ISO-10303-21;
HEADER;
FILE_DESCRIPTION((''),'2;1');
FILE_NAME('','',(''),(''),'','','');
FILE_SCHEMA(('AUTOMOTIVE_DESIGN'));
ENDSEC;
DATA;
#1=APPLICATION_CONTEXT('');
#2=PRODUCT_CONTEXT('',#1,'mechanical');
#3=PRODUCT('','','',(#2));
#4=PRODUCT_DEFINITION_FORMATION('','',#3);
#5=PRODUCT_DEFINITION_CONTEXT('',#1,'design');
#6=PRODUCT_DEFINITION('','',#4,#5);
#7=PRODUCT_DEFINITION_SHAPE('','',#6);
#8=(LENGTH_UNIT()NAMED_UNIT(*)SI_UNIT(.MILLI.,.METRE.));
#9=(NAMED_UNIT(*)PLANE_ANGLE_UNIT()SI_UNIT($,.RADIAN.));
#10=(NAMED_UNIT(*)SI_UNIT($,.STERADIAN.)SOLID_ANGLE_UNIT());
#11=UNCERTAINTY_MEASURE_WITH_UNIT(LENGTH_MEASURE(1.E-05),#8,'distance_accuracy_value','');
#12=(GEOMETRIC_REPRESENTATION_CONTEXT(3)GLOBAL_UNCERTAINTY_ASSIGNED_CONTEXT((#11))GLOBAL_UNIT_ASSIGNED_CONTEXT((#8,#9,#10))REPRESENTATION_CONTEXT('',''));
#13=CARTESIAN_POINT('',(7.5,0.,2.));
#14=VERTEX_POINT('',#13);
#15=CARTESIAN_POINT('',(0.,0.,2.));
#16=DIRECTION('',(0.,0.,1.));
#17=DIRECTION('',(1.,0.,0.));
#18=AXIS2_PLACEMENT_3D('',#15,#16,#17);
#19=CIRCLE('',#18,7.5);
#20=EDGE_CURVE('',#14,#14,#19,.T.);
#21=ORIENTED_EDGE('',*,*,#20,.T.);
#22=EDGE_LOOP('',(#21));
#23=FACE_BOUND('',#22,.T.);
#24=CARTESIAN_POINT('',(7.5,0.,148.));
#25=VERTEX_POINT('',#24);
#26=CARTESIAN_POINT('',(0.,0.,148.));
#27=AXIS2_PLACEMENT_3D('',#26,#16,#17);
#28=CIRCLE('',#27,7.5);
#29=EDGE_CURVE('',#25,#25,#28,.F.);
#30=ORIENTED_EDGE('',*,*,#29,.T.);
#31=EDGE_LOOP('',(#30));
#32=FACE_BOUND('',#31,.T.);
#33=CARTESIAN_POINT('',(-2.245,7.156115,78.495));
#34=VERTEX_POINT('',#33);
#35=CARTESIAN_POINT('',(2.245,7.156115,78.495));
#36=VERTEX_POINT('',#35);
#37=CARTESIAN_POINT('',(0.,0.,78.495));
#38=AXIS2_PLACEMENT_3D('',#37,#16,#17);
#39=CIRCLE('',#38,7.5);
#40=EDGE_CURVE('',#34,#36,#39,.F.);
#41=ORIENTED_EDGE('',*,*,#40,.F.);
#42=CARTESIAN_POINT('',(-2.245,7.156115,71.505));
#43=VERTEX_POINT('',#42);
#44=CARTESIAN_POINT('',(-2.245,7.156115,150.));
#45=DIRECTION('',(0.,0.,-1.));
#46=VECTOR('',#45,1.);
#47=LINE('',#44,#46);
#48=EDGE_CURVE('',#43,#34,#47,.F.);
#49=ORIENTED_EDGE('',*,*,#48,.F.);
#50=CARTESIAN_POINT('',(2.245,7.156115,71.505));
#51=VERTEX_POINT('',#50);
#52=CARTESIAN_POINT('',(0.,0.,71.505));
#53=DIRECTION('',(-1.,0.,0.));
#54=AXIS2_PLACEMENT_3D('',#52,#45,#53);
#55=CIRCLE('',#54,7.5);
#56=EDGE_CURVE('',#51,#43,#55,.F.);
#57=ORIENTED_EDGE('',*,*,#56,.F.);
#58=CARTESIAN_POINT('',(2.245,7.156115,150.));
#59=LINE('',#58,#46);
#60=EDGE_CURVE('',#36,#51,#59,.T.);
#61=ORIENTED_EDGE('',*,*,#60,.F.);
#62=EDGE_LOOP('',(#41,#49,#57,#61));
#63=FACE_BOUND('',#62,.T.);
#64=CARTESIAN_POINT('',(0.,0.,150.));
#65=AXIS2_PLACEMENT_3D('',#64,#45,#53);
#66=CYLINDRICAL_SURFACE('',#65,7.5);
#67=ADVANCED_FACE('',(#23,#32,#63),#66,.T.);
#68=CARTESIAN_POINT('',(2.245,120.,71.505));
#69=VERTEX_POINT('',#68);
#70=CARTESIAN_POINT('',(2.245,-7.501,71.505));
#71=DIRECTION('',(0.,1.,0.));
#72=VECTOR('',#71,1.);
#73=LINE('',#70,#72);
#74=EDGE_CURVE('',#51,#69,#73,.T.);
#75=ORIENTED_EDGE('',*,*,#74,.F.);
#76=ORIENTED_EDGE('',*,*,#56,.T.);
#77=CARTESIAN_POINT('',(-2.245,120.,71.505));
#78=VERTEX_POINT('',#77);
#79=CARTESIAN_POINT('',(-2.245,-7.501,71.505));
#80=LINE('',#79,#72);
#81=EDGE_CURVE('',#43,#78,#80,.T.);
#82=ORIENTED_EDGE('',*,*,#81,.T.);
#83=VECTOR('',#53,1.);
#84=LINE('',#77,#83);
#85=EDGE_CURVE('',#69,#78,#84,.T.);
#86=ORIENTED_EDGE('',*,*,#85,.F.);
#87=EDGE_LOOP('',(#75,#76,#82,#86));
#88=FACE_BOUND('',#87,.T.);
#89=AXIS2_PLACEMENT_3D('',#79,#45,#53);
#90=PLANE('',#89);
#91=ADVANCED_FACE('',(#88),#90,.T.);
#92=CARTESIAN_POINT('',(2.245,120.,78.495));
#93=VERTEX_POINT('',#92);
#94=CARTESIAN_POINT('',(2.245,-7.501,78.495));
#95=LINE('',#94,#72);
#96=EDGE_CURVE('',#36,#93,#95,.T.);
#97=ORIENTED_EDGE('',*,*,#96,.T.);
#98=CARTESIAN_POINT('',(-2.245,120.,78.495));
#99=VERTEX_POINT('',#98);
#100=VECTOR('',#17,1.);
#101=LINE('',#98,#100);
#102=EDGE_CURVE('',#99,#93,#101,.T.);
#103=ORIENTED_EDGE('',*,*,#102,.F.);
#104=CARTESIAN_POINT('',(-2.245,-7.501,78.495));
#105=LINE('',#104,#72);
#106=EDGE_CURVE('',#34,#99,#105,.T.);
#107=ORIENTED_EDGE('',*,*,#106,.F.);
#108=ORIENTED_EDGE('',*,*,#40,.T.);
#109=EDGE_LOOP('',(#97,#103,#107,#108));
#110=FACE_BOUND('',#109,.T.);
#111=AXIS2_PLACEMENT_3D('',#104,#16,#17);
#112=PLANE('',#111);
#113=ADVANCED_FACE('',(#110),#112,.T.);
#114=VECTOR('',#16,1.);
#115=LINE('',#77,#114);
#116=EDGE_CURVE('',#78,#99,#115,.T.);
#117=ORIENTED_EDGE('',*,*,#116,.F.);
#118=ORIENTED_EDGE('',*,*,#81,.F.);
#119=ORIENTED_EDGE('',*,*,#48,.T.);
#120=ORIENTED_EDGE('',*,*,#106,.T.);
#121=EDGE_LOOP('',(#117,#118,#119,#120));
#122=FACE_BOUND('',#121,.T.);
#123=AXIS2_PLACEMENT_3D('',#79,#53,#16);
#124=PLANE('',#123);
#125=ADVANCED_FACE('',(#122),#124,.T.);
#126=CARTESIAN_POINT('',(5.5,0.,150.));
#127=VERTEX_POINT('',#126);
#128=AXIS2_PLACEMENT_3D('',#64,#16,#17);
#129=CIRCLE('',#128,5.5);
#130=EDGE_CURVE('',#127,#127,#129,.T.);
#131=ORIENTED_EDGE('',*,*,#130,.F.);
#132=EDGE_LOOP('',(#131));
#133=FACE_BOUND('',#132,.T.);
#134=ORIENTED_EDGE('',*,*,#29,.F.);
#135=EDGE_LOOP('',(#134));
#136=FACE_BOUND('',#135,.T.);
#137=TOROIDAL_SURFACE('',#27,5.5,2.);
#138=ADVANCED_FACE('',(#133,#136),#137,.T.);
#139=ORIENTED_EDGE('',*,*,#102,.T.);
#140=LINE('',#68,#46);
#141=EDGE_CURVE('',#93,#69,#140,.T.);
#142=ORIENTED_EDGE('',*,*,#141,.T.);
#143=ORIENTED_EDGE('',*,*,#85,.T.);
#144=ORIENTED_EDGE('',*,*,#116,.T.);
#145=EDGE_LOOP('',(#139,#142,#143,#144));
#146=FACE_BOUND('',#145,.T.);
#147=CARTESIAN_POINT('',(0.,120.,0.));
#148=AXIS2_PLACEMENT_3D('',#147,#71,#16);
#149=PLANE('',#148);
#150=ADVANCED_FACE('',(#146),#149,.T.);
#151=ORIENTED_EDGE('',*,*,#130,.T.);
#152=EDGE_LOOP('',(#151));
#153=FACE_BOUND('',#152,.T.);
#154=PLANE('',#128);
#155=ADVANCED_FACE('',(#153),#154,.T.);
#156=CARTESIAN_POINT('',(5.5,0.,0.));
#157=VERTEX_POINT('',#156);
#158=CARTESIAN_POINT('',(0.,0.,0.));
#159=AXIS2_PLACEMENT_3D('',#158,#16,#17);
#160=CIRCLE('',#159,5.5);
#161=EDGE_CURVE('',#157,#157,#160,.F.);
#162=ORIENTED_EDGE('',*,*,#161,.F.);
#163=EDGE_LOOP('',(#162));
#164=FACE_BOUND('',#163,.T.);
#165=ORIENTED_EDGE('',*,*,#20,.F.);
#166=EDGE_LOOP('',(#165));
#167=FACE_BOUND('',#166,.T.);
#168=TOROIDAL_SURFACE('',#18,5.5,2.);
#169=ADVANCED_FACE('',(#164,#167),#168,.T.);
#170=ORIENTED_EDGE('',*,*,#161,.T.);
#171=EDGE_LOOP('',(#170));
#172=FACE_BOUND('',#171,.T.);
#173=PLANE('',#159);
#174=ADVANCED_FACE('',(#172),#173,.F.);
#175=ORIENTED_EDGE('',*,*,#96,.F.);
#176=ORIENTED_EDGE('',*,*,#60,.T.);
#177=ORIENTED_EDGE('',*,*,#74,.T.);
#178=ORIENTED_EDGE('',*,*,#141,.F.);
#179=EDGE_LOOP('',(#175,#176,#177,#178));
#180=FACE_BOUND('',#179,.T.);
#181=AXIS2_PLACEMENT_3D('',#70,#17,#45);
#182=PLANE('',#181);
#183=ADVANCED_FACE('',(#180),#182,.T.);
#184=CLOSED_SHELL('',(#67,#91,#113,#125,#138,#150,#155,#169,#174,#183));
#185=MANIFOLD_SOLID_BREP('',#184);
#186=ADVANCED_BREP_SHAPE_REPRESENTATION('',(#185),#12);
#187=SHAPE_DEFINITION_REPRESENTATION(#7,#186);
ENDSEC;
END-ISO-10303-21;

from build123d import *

# Parameters (mm, degrees)
SKETCH1_R           = 7.5
BOSS_EXTRUDE1_DEPTH = 150
FILLET1_R           = 2
BOSS_EXTRUDE2_REACH = 129.5
SKETCH3_W           = 4.49
SKETCH3_H           = 6.99


with BuildPart() as part:
    # Sketch1 → Boss-Extrude1 (new body)
    with BuildSketch(Plane.XY):
        Circle(SKETCH1_R)
    extrude(amount=BOSS_EXTRUDE1_DEPTH)

    # Fillet1
    fillet1_edges = [part.edges().sort_by_distance(p)[0] for p in [
        (-7.5, 0, 0),
        (-7.5, 0, 150),
    ]]
    fillet(fillet1_edges, radius=FILLET1_R)

    # Sketch3 → Boss-Extrude2 (add, up to next)
    with BuildSketch(Plane(origin=(0, 120, 0), x_dir=(1, 0, 0), z_dir=(0, 1, 0)), mode=Mode.PRIVATE) as boss_extrude2_sk1:
        with Locations((0, -75)):
            Rectangle(SKETCH3_W, SKETCH3_H)
    boss_extrude2_tool1 = extrude(boss_extrude2_sk1.sketch, amount=-BOSS_EXTRUDE2_REACH, mode=Mode.PRIVATE) - part.part
    add(boss_extrude2_tool1.solids().sort_by_distance((0, 120, 75))[0])


solid = part.part
